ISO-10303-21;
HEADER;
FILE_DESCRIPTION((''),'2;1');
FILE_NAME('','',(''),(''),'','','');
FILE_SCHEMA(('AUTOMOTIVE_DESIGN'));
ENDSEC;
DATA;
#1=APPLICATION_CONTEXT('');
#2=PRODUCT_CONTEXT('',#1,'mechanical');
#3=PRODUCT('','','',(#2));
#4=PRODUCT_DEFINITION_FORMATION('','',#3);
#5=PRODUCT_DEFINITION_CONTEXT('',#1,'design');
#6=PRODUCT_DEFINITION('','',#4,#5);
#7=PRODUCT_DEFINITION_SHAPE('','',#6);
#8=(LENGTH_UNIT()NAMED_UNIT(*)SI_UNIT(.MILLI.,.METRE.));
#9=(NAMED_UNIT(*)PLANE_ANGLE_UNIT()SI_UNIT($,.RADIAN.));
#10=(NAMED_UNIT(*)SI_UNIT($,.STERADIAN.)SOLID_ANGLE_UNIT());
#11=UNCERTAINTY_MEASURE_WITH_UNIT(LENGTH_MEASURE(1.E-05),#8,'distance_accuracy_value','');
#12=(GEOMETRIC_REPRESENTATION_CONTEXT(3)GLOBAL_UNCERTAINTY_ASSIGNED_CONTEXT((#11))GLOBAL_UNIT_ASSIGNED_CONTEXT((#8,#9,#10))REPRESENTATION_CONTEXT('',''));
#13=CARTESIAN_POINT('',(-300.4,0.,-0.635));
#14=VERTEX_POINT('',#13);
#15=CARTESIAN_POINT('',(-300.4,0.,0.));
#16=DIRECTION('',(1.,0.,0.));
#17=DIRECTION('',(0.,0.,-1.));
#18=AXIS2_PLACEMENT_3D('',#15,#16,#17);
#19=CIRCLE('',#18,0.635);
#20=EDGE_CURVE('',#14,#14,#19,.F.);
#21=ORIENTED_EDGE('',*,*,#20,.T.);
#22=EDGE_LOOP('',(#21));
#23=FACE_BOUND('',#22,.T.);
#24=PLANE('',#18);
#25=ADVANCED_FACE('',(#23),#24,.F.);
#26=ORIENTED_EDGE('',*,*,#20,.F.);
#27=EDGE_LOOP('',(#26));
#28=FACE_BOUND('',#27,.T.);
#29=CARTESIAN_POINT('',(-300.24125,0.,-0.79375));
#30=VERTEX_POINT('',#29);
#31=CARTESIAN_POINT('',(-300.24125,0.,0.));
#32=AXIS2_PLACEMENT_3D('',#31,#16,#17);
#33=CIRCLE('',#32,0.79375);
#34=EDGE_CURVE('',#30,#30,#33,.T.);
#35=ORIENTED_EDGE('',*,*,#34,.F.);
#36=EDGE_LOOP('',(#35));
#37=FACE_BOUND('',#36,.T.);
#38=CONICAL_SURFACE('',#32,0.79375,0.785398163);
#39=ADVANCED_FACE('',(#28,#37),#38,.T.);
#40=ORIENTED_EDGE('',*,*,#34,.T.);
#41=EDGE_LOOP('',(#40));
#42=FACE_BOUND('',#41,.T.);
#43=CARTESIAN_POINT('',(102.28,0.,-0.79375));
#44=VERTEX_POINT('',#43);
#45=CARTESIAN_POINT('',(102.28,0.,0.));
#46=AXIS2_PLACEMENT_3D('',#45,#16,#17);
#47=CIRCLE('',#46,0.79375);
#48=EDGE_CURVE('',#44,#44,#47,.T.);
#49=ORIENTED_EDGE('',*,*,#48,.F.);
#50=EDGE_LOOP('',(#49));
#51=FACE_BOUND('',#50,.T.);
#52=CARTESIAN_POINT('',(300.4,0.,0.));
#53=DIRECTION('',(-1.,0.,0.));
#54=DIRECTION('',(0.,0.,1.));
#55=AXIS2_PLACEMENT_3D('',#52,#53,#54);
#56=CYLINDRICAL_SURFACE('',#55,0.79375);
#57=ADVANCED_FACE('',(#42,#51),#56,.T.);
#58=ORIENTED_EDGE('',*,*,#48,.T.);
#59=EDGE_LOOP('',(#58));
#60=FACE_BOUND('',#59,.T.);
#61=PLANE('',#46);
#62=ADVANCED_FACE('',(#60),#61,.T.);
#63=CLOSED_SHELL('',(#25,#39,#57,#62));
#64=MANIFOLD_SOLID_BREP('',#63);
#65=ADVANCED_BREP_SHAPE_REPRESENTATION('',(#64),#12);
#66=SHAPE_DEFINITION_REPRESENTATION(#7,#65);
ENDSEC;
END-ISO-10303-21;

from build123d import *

# Parameters (mm, degrees)
SKETCH10_R          = 0.79375
BOSS_EXTRUDE3_DEPTH = 300.4
CHAMFER1_SIZE       = 0.15875
SKETCH13_R          = 1.981721066
CUT_EXTRUDE4_DEPTH  = 198.12


with BuildPart() as part:
    # Sketch10 → Boss-Extrude3 (new, symmetric)
    with BuildSketch(Plane(origin=(0, 0, 0), x_dir=(0, 0, -1), z_dir=(1, 0, 0))):
        Circle(SKETCH10_R)
    extrude(amount=BOSS_EXTRUDE3_DEPTH, both=True)

    # Chamfer1
    chamfer1_edges = [part.edges().sort_by_distance(p)[0] for p in [
        (-300.4, 0, 0.79375),
        (300.4, 0, 0.79375),
    ]]
    chamfer(chamfer1_edges, length=CHAMFER1_SIZE)

    # Sketch13 → Cut-Extrude4 (cut)
    with BuildSketch(Plane(origin=(300.4, 0, 0), x_dir=(0, 0, -1), z_dir=(1, 0, 0))):
        Circle(SKETCH13_R)
    extrude(amount=-CUT_EXTRUDE4_DEPTH, mode=Mode.SUBTRACT)


solid = part.part
